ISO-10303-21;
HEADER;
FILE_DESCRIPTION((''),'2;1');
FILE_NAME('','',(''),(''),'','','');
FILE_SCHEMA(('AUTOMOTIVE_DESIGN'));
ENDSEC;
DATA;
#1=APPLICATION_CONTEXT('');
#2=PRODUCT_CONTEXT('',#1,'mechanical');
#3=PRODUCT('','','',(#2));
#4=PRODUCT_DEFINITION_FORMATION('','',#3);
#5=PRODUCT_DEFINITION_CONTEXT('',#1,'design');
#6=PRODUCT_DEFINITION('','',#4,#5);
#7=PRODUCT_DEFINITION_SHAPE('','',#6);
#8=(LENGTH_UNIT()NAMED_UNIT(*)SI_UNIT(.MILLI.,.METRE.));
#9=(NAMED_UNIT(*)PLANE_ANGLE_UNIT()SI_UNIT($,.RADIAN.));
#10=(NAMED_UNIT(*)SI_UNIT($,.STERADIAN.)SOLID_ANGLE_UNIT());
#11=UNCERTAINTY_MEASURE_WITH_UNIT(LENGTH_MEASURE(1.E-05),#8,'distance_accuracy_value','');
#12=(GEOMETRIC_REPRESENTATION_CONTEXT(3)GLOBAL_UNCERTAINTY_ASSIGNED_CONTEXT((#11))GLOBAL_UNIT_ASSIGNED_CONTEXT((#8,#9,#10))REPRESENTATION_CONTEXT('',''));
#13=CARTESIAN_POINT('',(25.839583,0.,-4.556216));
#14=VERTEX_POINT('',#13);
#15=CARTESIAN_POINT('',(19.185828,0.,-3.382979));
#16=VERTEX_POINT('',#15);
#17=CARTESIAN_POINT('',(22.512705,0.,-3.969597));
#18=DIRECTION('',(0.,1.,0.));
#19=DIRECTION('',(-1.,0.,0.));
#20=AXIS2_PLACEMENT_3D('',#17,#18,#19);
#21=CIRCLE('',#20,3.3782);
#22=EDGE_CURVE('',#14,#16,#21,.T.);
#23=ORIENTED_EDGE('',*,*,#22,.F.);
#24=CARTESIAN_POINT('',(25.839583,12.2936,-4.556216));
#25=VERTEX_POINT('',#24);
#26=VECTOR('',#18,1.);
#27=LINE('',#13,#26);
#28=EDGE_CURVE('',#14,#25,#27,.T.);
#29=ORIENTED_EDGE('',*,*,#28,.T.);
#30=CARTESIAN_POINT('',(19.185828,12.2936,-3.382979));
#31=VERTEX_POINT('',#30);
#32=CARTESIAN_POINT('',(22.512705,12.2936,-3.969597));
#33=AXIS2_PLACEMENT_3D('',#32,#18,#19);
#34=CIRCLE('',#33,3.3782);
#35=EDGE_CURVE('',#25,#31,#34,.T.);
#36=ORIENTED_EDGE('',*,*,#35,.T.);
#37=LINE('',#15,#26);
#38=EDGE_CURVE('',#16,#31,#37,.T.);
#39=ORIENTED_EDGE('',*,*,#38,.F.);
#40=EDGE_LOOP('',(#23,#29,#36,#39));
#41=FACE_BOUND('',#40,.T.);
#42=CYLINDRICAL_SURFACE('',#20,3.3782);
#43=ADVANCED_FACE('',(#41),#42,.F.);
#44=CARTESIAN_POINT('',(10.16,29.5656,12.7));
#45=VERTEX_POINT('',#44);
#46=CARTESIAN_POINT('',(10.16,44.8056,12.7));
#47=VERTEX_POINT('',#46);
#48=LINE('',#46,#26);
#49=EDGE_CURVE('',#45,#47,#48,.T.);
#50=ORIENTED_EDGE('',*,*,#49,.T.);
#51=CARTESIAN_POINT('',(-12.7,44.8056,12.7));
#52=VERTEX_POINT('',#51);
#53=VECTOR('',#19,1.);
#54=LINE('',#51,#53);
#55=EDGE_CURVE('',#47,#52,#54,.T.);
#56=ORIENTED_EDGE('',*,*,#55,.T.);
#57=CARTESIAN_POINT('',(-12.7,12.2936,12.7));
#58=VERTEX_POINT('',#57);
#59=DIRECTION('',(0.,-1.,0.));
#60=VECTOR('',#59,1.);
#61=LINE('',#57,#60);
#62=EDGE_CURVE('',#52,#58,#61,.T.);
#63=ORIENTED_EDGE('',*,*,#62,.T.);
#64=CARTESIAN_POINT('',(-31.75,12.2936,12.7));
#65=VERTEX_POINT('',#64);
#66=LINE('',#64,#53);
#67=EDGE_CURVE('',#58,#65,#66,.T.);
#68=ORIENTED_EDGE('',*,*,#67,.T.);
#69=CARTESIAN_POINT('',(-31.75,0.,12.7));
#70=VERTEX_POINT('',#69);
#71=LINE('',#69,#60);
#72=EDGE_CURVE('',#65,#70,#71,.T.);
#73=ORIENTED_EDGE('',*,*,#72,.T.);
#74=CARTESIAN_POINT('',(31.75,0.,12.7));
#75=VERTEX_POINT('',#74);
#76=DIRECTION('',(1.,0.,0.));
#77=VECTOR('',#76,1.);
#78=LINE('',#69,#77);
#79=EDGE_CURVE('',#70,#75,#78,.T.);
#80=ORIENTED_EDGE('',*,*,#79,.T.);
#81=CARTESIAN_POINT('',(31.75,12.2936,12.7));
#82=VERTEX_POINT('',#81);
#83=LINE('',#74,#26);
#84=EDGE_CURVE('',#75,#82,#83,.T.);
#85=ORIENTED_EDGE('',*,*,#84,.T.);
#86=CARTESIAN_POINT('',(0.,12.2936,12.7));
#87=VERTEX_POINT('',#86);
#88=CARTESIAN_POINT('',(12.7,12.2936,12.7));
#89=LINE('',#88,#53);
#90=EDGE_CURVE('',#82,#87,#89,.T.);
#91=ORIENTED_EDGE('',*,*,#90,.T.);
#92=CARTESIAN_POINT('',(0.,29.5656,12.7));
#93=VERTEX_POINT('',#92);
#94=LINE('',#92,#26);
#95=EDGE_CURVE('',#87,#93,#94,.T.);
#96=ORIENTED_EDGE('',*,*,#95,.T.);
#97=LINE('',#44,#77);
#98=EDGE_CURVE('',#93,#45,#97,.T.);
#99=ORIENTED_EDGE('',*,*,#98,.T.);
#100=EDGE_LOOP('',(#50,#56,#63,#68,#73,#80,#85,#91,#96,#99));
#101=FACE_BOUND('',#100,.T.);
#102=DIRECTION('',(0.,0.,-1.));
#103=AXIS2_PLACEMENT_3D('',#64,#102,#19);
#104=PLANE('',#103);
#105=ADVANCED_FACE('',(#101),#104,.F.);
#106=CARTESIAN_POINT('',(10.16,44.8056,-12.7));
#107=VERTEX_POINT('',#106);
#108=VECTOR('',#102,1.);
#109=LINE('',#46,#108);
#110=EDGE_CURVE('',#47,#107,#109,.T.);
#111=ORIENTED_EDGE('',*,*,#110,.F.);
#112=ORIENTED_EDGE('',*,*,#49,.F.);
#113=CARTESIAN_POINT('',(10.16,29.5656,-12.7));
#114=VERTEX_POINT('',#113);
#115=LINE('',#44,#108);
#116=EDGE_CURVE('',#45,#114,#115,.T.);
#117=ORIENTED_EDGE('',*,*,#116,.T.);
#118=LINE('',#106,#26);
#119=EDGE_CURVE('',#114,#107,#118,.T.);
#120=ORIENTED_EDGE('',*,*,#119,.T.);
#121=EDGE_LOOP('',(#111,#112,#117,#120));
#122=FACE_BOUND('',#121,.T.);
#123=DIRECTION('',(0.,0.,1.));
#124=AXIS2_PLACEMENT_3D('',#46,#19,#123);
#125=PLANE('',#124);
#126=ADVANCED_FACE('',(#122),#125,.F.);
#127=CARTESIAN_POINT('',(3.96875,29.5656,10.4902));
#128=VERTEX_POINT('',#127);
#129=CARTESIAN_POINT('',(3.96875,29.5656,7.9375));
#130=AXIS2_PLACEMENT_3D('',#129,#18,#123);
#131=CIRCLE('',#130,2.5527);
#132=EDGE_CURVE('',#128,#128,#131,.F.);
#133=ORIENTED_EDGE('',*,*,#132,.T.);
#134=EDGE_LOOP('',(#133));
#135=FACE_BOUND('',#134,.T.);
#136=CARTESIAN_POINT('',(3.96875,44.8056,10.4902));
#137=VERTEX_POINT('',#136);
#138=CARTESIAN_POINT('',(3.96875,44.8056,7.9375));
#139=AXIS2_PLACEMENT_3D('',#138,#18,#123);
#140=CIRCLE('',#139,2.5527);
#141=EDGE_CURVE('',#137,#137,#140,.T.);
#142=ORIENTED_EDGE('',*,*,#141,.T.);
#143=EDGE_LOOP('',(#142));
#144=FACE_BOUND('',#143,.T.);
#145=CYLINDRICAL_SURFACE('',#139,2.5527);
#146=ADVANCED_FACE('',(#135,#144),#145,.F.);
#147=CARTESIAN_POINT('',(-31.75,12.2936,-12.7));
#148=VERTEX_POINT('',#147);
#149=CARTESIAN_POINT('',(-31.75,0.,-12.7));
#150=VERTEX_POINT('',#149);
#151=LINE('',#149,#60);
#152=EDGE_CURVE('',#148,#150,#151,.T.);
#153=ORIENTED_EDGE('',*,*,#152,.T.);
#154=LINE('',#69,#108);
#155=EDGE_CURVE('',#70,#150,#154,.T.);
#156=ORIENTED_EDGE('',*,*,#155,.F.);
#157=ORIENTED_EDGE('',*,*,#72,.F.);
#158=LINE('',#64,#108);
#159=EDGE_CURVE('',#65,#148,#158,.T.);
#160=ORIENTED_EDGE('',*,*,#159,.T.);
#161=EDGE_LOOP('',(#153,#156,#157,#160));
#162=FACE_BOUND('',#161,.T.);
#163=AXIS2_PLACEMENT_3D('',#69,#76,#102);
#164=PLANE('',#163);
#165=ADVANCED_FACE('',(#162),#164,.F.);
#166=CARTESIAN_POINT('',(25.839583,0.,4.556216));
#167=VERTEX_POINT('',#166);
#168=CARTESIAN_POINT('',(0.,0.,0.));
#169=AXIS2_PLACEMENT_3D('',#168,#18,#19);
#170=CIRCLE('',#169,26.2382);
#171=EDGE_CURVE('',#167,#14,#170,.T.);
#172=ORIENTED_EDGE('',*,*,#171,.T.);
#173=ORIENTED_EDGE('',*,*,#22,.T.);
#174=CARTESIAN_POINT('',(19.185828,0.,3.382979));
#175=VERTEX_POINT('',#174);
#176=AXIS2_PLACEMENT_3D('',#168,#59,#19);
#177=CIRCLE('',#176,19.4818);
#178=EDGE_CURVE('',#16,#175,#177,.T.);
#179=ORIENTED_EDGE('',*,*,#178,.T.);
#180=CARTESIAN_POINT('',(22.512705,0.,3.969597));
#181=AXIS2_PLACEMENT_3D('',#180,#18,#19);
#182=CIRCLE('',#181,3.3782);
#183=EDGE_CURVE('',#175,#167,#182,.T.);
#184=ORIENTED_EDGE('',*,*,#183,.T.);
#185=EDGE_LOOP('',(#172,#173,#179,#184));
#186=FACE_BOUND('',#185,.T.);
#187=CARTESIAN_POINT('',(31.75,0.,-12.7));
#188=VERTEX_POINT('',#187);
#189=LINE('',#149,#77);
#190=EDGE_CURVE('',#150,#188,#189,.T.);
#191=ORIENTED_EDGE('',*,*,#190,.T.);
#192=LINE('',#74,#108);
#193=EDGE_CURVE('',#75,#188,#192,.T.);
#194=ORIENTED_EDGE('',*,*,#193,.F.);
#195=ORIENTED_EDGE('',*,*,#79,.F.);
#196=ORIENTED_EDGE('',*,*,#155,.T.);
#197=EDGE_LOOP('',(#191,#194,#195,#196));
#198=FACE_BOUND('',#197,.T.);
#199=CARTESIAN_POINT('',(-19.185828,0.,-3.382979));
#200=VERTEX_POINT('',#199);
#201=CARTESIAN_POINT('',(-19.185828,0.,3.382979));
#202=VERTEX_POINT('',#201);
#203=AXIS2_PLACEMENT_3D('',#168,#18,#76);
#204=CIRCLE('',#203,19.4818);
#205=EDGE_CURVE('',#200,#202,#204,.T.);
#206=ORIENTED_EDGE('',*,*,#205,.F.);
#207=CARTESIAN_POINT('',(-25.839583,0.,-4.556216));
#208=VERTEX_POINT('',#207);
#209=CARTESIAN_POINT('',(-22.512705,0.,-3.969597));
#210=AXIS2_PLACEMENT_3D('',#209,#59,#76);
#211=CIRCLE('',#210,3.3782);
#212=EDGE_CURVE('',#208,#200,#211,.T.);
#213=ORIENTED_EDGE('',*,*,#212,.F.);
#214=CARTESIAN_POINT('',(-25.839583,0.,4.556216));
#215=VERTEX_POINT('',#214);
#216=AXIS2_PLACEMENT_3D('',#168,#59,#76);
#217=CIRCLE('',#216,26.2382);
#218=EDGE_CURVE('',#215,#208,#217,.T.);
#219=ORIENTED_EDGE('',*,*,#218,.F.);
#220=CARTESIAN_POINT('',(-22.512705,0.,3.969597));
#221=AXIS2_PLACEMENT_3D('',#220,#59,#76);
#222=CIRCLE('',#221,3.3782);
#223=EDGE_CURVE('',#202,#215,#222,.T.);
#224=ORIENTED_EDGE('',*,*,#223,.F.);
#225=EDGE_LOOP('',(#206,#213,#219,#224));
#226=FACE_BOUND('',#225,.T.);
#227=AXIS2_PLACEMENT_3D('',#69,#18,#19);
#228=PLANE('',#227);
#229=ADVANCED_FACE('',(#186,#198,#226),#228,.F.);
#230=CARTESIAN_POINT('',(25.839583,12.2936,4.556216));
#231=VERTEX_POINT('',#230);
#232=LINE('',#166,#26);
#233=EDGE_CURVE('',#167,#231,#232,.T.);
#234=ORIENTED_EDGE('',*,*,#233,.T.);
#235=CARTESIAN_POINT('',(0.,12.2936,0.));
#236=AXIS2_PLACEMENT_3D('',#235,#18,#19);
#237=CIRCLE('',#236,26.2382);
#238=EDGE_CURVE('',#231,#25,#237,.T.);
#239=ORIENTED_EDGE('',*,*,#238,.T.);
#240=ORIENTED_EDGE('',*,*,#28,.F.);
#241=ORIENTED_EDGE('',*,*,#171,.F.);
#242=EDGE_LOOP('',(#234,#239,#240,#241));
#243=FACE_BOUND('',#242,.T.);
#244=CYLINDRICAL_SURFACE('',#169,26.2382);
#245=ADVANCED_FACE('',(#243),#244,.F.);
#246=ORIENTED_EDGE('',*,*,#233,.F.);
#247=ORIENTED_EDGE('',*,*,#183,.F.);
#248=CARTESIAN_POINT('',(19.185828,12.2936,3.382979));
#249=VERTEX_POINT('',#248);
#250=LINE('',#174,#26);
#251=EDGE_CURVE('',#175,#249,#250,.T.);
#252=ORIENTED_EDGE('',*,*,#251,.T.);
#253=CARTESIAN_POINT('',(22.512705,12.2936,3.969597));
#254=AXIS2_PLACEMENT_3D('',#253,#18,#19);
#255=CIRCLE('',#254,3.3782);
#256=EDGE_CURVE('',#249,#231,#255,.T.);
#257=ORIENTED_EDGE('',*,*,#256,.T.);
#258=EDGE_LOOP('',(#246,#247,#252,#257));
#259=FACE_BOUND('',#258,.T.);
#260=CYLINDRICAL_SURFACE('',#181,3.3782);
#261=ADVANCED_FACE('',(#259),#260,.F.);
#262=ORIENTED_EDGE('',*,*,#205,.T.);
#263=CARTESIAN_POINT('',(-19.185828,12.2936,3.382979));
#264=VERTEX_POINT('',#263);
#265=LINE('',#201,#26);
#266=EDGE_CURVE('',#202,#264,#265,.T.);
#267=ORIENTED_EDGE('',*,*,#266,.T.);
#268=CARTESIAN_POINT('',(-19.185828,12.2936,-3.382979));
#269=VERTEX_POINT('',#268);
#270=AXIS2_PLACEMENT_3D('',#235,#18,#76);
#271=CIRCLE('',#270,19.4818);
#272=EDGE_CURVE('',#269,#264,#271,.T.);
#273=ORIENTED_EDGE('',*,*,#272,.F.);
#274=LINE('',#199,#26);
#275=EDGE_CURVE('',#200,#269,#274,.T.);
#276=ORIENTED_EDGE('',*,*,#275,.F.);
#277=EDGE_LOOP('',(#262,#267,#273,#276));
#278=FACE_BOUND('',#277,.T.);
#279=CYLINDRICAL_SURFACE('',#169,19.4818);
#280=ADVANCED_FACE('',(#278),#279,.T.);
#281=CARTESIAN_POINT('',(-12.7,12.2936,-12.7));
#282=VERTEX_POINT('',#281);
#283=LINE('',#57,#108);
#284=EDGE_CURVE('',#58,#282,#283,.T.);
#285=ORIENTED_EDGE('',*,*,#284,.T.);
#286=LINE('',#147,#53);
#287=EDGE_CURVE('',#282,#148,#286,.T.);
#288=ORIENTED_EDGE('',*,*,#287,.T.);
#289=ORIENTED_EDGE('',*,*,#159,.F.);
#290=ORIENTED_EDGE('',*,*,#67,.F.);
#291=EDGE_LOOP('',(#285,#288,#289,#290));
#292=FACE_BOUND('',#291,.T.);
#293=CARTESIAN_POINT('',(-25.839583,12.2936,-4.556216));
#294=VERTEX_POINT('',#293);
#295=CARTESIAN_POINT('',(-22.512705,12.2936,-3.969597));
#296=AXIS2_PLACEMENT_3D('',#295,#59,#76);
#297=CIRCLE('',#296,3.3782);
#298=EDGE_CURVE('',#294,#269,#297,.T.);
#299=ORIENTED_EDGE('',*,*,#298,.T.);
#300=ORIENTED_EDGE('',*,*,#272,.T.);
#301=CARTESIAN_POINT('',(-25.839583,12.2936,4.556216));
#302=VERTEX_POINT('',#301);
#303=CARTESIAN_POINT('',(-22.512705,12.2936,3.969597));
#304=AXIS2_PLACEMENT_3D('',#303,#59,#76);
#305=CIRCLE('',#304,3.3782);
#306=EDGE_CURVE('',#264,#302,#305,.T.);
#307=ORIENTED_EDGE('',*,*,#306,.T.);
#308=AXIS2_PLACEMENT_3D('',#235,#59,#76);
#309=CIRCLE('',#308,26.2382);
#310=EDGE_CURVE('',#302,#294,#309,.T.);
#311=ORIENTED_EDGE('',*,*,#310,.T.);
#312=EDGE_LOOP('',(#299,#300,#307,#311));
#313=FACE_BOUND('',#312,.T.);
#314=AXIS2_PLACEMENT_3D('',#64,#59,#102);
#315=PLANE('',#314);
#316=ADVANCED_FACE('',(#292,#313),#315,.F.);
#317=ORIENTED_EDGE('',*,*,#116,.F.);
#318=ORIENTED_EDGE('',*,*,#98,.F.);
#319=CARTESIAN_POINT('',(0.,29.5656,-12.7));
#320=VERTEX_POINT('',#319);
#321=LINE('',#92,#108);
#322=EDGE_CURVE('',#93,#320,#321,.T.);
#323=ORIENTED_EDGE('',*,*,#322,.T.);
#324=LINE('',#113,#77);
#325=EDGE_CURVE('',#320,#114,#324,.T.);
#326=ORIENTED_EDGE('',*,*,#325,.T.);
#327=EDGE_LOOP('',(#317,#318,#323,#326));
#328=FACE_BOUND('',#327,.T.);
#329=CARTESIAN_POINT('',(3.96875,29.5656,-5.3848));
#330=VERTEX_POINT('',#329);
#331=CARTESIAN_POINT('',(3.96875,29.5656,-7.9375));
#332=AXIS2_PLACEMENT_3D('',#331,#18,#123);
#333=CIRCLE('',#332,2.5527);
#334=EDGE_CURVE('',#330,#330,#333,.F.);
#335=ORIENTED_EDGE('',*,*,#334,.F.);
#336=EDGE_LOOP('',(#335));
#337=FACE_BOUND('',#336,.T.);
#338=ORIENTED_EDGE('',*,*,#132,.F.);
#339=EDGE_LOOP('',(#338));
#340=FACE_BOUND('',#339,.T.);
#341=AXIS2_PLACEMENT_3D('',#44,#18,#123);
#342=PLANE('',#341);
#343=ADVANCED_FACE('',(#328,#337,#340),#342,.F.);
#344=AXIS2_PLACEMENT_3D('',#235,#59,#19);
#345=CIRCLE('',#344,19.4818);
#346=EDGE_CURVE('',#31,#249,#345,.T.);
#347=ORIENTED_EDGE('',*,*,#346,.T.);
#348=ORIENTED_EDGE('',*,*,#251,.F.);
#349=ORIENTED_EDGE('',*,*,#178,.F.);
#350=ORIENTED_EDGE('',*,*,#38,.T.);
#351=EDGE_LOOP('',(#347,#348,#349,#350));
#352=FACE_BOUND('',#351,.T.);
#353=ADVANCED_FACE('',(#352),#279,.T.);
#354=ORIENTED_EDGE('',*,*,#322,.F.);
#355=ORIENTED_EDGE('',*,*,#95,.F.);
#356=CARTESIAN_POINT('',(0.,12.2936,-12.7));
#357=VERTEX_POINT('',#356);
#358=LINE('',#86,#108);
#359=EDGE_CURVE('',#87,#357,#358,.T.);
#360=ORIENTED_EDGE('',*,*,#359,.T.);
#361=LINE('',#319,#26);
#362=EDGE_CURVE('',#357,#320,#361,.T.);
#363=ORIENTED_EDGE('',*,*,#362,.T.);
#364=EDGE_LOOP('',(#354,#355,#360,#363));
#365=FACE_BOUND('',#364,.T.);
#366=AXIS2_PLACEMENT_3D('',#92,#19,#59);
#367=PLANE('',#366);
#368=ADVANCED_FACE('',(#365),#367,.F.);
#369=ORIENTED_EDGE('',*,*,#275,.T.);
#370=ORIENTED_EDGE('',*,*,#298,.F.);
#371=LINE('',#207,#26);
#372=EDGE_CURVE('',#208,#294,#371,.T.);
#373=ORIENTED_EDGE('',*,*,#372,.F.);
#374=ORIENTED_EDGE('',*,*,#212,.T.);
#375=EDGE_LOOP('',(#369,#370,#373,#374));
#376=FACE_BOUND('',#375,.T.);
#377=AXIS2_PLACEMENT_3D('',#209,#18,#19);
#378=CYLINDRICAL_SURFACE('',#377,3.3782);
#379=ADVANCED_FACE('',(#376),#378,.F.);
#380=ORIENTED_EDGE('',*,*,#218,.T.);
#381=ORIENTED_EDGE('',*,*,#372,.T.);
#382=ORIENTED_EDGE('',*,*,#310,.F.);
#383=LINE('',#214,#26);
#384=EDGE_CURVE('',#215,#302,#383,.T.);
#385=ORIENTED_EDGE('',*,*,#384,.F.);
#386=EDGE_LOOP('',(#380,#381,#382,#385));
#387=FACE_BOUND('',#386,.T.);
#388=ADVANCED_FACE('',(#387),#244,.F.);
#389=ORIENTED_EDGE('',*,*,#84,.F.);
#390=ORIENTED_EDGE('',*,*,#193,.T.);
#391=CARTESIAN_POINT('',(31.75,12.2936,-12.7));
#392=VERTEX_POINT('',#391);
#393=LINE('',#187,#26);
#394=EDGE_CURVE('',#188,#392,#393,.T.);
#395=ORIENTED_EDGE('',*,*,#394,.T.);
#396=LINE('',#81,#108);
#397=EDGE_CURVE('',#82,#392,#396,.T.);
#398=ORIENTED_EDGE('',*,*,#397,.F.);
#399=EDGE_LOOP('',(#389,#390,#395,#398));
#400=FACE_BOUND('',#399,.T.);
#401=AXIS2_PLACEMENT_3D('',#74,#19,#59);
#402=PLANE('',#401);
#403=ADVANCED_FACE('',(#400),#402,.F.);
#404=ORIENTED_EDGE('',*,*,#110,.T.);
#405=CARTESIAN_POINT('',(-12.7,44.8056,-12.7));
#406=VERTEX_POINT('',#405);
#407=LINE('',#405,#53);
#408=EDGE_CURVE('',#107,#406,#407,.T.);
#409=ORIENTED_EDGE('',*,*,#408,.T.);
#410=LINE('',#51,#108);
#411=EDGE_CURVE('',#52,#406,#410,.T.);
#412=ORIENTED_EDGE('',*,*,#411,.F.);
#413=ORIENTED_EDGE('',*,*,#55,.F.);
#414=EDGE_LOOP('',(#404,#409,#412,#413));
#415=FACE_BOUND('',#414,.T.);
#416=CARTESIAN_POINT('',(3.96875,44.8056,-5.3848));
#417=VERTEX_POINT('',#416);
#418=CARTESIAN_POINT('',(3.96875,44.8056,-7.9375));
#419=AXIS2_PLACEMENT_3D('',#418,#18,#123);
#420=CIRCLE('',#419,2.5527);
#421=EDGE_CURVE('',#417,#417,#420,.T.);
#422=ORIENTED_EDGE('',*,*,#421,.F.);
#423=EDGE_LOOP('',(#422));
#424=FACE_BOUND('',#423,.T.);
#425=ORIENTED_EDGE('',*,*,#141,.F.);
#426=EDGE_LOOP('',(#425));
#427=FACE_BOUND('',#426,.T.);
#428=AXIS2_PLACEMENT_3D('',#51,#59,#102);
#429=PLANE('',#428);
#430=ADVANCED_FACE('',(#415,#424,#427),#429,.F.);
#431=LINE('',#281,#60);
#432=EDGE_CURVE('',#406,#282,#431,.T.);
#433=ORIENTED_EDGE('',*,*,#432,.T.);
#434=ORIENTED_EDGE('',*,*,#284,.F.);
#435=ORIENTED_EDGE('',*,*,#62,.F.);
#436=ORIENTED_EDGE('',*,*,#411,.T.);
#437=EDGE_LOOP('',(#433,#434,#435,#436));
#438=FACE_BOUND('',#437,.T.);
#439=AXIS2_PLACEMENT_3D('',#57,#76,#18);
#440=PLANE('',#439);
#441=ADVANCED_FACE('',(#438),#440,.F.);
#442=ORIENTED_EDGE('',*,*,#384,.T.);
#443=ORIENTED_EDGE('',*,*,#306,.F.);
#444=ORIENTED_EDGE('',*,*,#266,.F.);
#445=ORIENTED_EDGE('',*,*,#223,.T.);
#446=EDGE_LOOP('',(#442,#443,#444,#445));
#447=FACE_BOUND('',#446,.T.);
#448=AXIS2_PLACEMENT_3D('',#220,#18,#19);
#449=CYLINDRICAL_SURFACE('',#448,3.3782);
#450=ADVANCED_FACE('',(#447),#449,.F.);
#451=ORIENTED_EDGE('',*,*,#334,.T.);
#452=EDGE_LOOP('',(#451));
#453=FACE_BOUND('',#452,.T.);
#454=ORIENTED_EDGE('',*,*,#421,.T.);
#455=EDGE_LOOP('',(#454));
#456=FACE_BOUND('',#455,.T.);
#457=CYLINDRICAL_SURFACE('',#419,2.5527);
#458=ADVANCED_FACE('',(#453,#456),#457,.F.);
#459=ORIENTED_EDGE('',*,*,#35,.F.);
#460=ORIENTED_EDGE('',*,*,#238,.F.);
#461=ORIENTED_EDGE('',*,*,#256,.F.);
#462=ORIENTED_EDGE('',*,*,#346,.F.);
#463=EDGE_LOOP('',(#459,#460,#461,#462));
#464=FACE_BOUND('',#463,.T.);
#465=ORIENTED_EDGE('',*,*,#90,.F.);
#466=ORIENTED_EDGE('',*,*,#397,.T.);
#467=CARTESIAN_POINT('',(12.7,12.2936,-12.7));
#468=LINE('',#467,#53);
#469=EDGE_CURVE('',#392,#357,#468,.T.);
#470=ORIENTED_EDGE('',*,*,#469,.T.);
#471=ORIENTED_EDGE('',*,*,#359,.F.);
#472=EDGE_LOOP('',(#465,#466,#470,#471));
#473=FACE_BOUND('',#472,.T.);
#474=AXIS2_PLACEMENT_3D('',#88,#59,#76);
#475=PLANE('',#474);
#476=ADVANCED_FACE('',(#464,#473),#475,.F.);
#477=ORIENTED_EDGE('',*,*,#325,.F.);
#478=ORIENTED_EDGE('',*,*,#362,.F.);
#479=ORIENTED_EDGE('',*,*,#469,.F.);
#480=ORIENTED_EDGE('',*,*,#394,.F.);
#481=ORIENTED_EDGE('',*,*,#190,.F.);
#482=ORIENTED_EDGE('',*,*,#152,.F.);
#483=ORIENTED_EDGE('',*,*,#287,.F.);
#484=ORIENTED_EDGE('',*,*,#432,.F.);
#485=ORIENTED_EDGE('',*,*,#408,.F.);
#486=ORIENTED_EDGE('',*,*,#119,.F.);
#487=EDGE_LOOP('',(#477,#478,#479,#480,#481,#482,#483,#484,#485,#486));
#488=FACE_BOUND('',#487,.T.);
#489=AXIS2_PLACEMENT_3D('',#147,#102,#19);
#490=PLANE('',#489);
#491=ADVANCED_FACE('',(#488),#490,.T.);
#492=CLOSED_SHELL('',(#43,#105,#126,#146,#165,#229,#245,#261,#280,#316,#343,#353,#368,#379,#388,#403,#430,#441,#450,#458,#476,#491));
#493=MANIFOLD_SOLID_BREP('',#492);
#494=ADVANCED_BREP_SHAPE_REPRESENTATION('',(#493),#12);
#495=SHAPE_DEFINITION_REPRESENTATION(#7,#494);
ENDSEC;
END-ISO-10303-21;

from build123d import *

# Parameters (mm, degrees)
EXTRUDE1_DEPTH             = 12.7
ARC_MOUNTING_SLOT_I_DEPTH  = 48.184559381
CLAMPING_SCREW_HOLES_D     = 5.1054
CLAMPING_SCREW_HOLES_DEPTH = 15.24
CLAMPING_SCREW_HOLES_TIP   = 1.533816902


with BuildPart() as part:
    # Sketch1 → Extrude1 (new, symmetric)
    with BuildSketch(Plane.XY):
        Polygon((-12.7, 44.8056), (10.16, 44.8056), (10.16, 29.5656), (0, 29.5656), (0, 12.2936), (12.7, 12.2936), (31.75, 12.2936), (31.75, 0), (-31.75, 0), (-31.75, 12.2936), (-12.7, 12.2936), align=None)
    extrude(amount=EXTRUDE1_DEPTH, both=True)

    # Sketch2 → Arc mounting slot I (cut, through all)
    with BuildSketch(Plane(origin=(0, 12.2936, 0), x_dir=(-1, 0, 0), z_dir=(0, 1, 0))):
        with BuildLine():
            ThreePointArc((-25.839582785, -4.556215615), (-21.92608696, -7.296474893), (-19.185827683, -3.382979068))
            ThreePointArc((-19.185827683, -3.382979068), (-19.4818, 0), (-19.185827683, 3.382979068))
            ThreePointArc((-19.185827683, 3.382979068), (-21.92608696, 7.296474893), (-25.839582785, 4.556215615))
            ThreePointArc((-25.839582785, 4.556215615), (-26.2382, 0), (-25.839582785, -4.556215615))
        make_face()
    arc_mounting_slot_i = extrude(amount=-ARC_MOUNTING_SLOT_I_DEPTH, mode=Mode.SUBTRACT)

    # Arc mounting slot II: Arc mounting slot I across plane
    add(arc_mounting_slot_i.mirror(Plane(origin=(0, 0, 0), x_dir=(0, 0, 1), z_dir=(1, 0, 0))), mode=Mode.SUBTRACT)

    # Clamping screw holes
    with Locations(Plane(origin=(0, 44.8056, 0), x_dir=(-1, 0, 0), z_dir=(0, 1, 0))):
        with Locations((-3.96875, -7.9375), (-3.96875, 7.9375)):
            Hole(CLAMPING_SCREW_HOLES_D / 2, depth=CLAMPING_SCREW_HOLES_DEPTH)
            with Locations((0, 0, -(CLAMPING_SCREW_HOLES_DEPTH + CLAMPING_SCREW_HOLES_TIP / 2))):  # 118° drill point
                Cone(0, CLAMPING_SCREW_HOLES_D / 2, CLAMPING_SCREW_HOLES_TIP, mode=Mode.SUBTRACT)


solid = part.part
